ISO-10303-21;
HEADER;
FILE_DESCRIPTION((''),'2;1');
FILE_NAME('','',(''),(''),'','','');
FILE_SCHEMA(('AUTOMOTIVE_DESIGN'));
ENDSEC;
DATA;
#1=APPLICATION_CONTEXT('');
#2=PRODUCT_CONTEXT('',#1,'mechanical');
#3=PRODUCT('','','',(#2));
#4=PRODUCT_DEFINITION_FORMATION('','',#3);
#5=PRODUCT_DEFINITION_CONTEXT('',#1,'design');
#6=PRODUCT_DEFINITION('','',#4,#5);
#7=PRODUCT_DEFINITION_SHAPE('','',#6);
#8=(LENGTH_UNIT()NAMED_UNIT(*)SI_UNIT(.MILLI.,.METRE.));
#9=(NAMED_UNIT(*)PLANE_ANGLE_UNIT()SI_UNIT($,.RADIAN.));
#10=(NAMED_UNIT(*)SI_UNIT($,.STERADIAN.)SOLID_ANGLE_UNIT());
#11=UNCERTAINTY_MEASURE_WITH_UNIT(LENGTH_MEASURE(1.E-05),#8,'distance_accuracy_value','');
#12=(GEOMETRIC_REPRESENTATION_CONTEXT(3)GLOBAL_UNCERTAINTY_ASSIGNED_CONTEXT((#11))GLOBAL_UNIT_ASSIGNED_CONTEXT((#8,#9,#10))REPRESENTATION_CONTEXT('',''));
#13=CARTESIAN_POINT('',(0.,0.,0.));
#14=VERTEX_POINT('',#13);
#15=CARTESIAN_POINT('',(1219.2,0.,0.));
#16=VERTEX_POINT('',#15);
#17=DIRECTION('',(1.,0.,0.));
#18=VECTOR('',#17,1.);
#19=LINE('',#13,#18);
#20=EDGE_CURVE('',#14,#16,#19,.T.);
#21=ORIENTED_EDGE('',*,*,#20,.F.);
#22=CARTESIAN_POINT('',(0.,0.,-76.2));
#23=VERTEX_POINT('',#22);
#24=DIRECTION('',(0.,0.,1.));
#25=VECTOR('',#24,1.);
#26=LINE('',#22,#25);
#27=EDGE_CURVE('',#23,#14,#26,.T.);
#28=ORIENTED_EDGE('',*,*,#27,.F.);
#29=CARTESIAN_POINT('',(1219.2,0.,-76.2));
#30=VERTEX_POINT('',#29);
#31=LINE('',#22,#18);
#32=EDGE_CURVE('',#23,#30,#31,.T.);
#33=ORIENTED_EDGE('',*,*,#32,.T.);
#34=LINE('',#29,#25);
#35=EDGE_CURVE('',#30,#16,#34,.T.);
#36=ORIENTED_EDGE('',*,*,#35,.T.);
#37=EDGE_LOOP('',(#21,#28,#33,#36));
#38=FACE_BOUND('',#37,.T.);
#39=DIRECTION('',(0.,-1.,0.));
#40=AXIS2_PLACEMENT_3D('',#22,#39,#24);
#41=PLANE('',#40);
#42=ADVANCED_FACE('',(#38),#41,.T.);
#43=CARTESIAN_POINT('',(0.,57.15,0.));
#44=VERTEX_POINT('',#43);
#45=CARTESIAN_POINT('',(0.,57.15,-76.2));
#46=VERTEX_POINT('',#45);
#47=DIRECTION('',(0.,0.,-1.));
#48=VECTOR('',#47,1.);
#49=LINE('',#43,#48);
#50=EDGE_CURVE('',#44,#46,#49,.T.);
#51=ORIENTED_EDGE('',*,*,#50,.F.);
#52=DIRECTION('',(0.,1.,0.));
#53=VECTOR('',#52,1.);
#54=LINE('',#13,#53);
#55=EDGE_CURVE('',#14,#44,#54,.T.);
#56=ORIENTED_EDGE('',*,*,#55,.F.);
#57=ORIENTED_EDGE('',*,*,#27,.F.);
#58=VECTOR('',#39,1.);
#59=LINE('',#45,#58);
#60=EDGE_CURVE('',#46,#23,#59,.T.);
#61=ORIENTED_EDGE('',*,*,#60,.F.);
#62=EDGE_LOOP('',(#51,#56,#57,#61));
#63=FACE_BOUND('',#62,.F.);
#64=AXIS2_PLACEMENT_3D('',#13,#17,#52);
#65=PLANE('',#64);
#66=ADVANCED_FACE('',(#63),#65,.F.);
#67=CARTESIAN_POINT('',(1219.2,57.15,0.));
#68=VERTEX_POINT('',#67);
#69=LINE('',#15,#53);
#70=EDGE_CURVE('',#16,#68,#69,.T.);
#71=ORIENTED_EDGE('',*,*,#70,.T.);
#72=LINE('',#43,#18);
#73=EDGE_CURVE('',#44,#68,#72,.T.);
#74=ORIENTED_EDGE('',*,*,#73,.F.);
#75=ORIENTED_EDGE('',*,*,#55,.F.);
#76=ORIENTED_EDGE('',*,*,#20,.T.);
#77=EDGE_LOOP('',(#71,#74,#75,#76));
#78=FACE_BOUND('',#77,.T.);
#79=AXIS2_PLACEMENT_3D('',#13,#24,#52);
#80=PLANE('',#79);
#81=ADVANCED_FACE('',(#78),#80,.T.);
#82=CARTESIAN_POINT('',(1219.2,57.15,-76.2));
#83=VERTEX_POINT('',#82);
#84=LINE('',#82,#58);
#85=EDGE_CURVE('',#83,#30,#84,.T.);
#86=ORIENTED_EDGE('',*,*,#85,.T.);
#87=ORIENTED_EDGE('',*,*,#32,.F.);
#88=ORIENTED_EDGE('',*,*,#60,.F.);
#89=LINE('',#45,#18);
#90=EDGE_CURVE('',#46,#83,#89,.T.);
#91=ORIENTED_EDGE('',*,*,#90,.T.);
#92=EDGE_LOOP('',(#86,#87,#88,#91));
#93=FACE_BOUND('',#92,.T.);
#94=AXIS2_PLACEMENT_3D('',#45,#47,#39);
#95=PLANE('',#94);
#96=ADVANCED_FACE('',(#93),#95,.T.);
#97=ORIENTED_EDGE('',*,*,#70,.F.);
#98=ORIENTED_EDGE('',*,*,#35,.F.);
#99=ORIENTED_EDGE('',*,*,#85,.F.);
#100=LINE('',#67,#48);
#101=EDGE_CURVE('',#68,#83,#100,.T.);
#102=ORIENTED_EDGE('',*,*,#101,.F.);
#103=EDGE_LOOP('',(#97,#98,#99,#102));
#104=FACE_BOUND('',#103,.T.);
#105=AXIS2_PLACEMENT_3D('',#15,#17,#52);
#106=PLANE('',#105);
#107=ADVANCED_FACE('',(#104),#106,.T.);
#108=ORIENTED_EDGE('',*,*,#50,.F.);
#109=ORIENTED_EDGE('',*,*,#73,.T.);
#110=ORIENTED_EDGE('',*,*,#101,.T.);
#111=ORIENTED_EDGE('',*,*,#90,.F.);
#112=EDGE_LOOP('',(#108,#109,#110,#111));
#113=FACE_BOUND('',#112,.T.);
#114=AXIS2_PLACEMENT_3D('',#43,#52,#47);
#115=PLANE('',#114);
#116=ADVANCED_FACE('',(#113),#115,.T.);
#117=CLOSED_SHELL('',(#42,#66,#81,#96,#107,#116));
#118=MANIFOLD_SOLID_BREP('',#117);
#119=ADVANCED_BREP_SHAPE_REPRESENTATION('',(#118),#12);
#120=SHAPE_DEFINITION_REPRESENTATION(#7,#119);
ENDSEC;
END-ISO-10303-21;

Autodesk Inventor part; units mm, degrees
ref_plane "YZ Plane" through (0, 0, 0) normal (1, 0, 0) x (0, 1, 0)
ref_plane "XZ Plane" through (0, 0, 0) normal (0, 1, 0) x (-1, 0, 0)
ref_plane "XY Plane" through (0, 0, 0) normal (0, 0, 1) x (1, 0, 0)
sketch "Sketch1" plane through (0, 0, 0) normal (1, 0, 0) x (0, 1, 0)
  line L0 (0, 0) -> (57.15, 0)
  line L1 (57.15, 0) -> (57.15, -76.2)
  line L2 (57.15, -76.2) -> (0, -76.2)
  line L3 (0, -76.2) -> (0, 0)
  dimension "d0" = 57.15
  dimension "d1" = 76.2
extrude "Extrusion1" add sketch "Sketch1" along normal blind 1219.2
properties part number "Sill - 50"
